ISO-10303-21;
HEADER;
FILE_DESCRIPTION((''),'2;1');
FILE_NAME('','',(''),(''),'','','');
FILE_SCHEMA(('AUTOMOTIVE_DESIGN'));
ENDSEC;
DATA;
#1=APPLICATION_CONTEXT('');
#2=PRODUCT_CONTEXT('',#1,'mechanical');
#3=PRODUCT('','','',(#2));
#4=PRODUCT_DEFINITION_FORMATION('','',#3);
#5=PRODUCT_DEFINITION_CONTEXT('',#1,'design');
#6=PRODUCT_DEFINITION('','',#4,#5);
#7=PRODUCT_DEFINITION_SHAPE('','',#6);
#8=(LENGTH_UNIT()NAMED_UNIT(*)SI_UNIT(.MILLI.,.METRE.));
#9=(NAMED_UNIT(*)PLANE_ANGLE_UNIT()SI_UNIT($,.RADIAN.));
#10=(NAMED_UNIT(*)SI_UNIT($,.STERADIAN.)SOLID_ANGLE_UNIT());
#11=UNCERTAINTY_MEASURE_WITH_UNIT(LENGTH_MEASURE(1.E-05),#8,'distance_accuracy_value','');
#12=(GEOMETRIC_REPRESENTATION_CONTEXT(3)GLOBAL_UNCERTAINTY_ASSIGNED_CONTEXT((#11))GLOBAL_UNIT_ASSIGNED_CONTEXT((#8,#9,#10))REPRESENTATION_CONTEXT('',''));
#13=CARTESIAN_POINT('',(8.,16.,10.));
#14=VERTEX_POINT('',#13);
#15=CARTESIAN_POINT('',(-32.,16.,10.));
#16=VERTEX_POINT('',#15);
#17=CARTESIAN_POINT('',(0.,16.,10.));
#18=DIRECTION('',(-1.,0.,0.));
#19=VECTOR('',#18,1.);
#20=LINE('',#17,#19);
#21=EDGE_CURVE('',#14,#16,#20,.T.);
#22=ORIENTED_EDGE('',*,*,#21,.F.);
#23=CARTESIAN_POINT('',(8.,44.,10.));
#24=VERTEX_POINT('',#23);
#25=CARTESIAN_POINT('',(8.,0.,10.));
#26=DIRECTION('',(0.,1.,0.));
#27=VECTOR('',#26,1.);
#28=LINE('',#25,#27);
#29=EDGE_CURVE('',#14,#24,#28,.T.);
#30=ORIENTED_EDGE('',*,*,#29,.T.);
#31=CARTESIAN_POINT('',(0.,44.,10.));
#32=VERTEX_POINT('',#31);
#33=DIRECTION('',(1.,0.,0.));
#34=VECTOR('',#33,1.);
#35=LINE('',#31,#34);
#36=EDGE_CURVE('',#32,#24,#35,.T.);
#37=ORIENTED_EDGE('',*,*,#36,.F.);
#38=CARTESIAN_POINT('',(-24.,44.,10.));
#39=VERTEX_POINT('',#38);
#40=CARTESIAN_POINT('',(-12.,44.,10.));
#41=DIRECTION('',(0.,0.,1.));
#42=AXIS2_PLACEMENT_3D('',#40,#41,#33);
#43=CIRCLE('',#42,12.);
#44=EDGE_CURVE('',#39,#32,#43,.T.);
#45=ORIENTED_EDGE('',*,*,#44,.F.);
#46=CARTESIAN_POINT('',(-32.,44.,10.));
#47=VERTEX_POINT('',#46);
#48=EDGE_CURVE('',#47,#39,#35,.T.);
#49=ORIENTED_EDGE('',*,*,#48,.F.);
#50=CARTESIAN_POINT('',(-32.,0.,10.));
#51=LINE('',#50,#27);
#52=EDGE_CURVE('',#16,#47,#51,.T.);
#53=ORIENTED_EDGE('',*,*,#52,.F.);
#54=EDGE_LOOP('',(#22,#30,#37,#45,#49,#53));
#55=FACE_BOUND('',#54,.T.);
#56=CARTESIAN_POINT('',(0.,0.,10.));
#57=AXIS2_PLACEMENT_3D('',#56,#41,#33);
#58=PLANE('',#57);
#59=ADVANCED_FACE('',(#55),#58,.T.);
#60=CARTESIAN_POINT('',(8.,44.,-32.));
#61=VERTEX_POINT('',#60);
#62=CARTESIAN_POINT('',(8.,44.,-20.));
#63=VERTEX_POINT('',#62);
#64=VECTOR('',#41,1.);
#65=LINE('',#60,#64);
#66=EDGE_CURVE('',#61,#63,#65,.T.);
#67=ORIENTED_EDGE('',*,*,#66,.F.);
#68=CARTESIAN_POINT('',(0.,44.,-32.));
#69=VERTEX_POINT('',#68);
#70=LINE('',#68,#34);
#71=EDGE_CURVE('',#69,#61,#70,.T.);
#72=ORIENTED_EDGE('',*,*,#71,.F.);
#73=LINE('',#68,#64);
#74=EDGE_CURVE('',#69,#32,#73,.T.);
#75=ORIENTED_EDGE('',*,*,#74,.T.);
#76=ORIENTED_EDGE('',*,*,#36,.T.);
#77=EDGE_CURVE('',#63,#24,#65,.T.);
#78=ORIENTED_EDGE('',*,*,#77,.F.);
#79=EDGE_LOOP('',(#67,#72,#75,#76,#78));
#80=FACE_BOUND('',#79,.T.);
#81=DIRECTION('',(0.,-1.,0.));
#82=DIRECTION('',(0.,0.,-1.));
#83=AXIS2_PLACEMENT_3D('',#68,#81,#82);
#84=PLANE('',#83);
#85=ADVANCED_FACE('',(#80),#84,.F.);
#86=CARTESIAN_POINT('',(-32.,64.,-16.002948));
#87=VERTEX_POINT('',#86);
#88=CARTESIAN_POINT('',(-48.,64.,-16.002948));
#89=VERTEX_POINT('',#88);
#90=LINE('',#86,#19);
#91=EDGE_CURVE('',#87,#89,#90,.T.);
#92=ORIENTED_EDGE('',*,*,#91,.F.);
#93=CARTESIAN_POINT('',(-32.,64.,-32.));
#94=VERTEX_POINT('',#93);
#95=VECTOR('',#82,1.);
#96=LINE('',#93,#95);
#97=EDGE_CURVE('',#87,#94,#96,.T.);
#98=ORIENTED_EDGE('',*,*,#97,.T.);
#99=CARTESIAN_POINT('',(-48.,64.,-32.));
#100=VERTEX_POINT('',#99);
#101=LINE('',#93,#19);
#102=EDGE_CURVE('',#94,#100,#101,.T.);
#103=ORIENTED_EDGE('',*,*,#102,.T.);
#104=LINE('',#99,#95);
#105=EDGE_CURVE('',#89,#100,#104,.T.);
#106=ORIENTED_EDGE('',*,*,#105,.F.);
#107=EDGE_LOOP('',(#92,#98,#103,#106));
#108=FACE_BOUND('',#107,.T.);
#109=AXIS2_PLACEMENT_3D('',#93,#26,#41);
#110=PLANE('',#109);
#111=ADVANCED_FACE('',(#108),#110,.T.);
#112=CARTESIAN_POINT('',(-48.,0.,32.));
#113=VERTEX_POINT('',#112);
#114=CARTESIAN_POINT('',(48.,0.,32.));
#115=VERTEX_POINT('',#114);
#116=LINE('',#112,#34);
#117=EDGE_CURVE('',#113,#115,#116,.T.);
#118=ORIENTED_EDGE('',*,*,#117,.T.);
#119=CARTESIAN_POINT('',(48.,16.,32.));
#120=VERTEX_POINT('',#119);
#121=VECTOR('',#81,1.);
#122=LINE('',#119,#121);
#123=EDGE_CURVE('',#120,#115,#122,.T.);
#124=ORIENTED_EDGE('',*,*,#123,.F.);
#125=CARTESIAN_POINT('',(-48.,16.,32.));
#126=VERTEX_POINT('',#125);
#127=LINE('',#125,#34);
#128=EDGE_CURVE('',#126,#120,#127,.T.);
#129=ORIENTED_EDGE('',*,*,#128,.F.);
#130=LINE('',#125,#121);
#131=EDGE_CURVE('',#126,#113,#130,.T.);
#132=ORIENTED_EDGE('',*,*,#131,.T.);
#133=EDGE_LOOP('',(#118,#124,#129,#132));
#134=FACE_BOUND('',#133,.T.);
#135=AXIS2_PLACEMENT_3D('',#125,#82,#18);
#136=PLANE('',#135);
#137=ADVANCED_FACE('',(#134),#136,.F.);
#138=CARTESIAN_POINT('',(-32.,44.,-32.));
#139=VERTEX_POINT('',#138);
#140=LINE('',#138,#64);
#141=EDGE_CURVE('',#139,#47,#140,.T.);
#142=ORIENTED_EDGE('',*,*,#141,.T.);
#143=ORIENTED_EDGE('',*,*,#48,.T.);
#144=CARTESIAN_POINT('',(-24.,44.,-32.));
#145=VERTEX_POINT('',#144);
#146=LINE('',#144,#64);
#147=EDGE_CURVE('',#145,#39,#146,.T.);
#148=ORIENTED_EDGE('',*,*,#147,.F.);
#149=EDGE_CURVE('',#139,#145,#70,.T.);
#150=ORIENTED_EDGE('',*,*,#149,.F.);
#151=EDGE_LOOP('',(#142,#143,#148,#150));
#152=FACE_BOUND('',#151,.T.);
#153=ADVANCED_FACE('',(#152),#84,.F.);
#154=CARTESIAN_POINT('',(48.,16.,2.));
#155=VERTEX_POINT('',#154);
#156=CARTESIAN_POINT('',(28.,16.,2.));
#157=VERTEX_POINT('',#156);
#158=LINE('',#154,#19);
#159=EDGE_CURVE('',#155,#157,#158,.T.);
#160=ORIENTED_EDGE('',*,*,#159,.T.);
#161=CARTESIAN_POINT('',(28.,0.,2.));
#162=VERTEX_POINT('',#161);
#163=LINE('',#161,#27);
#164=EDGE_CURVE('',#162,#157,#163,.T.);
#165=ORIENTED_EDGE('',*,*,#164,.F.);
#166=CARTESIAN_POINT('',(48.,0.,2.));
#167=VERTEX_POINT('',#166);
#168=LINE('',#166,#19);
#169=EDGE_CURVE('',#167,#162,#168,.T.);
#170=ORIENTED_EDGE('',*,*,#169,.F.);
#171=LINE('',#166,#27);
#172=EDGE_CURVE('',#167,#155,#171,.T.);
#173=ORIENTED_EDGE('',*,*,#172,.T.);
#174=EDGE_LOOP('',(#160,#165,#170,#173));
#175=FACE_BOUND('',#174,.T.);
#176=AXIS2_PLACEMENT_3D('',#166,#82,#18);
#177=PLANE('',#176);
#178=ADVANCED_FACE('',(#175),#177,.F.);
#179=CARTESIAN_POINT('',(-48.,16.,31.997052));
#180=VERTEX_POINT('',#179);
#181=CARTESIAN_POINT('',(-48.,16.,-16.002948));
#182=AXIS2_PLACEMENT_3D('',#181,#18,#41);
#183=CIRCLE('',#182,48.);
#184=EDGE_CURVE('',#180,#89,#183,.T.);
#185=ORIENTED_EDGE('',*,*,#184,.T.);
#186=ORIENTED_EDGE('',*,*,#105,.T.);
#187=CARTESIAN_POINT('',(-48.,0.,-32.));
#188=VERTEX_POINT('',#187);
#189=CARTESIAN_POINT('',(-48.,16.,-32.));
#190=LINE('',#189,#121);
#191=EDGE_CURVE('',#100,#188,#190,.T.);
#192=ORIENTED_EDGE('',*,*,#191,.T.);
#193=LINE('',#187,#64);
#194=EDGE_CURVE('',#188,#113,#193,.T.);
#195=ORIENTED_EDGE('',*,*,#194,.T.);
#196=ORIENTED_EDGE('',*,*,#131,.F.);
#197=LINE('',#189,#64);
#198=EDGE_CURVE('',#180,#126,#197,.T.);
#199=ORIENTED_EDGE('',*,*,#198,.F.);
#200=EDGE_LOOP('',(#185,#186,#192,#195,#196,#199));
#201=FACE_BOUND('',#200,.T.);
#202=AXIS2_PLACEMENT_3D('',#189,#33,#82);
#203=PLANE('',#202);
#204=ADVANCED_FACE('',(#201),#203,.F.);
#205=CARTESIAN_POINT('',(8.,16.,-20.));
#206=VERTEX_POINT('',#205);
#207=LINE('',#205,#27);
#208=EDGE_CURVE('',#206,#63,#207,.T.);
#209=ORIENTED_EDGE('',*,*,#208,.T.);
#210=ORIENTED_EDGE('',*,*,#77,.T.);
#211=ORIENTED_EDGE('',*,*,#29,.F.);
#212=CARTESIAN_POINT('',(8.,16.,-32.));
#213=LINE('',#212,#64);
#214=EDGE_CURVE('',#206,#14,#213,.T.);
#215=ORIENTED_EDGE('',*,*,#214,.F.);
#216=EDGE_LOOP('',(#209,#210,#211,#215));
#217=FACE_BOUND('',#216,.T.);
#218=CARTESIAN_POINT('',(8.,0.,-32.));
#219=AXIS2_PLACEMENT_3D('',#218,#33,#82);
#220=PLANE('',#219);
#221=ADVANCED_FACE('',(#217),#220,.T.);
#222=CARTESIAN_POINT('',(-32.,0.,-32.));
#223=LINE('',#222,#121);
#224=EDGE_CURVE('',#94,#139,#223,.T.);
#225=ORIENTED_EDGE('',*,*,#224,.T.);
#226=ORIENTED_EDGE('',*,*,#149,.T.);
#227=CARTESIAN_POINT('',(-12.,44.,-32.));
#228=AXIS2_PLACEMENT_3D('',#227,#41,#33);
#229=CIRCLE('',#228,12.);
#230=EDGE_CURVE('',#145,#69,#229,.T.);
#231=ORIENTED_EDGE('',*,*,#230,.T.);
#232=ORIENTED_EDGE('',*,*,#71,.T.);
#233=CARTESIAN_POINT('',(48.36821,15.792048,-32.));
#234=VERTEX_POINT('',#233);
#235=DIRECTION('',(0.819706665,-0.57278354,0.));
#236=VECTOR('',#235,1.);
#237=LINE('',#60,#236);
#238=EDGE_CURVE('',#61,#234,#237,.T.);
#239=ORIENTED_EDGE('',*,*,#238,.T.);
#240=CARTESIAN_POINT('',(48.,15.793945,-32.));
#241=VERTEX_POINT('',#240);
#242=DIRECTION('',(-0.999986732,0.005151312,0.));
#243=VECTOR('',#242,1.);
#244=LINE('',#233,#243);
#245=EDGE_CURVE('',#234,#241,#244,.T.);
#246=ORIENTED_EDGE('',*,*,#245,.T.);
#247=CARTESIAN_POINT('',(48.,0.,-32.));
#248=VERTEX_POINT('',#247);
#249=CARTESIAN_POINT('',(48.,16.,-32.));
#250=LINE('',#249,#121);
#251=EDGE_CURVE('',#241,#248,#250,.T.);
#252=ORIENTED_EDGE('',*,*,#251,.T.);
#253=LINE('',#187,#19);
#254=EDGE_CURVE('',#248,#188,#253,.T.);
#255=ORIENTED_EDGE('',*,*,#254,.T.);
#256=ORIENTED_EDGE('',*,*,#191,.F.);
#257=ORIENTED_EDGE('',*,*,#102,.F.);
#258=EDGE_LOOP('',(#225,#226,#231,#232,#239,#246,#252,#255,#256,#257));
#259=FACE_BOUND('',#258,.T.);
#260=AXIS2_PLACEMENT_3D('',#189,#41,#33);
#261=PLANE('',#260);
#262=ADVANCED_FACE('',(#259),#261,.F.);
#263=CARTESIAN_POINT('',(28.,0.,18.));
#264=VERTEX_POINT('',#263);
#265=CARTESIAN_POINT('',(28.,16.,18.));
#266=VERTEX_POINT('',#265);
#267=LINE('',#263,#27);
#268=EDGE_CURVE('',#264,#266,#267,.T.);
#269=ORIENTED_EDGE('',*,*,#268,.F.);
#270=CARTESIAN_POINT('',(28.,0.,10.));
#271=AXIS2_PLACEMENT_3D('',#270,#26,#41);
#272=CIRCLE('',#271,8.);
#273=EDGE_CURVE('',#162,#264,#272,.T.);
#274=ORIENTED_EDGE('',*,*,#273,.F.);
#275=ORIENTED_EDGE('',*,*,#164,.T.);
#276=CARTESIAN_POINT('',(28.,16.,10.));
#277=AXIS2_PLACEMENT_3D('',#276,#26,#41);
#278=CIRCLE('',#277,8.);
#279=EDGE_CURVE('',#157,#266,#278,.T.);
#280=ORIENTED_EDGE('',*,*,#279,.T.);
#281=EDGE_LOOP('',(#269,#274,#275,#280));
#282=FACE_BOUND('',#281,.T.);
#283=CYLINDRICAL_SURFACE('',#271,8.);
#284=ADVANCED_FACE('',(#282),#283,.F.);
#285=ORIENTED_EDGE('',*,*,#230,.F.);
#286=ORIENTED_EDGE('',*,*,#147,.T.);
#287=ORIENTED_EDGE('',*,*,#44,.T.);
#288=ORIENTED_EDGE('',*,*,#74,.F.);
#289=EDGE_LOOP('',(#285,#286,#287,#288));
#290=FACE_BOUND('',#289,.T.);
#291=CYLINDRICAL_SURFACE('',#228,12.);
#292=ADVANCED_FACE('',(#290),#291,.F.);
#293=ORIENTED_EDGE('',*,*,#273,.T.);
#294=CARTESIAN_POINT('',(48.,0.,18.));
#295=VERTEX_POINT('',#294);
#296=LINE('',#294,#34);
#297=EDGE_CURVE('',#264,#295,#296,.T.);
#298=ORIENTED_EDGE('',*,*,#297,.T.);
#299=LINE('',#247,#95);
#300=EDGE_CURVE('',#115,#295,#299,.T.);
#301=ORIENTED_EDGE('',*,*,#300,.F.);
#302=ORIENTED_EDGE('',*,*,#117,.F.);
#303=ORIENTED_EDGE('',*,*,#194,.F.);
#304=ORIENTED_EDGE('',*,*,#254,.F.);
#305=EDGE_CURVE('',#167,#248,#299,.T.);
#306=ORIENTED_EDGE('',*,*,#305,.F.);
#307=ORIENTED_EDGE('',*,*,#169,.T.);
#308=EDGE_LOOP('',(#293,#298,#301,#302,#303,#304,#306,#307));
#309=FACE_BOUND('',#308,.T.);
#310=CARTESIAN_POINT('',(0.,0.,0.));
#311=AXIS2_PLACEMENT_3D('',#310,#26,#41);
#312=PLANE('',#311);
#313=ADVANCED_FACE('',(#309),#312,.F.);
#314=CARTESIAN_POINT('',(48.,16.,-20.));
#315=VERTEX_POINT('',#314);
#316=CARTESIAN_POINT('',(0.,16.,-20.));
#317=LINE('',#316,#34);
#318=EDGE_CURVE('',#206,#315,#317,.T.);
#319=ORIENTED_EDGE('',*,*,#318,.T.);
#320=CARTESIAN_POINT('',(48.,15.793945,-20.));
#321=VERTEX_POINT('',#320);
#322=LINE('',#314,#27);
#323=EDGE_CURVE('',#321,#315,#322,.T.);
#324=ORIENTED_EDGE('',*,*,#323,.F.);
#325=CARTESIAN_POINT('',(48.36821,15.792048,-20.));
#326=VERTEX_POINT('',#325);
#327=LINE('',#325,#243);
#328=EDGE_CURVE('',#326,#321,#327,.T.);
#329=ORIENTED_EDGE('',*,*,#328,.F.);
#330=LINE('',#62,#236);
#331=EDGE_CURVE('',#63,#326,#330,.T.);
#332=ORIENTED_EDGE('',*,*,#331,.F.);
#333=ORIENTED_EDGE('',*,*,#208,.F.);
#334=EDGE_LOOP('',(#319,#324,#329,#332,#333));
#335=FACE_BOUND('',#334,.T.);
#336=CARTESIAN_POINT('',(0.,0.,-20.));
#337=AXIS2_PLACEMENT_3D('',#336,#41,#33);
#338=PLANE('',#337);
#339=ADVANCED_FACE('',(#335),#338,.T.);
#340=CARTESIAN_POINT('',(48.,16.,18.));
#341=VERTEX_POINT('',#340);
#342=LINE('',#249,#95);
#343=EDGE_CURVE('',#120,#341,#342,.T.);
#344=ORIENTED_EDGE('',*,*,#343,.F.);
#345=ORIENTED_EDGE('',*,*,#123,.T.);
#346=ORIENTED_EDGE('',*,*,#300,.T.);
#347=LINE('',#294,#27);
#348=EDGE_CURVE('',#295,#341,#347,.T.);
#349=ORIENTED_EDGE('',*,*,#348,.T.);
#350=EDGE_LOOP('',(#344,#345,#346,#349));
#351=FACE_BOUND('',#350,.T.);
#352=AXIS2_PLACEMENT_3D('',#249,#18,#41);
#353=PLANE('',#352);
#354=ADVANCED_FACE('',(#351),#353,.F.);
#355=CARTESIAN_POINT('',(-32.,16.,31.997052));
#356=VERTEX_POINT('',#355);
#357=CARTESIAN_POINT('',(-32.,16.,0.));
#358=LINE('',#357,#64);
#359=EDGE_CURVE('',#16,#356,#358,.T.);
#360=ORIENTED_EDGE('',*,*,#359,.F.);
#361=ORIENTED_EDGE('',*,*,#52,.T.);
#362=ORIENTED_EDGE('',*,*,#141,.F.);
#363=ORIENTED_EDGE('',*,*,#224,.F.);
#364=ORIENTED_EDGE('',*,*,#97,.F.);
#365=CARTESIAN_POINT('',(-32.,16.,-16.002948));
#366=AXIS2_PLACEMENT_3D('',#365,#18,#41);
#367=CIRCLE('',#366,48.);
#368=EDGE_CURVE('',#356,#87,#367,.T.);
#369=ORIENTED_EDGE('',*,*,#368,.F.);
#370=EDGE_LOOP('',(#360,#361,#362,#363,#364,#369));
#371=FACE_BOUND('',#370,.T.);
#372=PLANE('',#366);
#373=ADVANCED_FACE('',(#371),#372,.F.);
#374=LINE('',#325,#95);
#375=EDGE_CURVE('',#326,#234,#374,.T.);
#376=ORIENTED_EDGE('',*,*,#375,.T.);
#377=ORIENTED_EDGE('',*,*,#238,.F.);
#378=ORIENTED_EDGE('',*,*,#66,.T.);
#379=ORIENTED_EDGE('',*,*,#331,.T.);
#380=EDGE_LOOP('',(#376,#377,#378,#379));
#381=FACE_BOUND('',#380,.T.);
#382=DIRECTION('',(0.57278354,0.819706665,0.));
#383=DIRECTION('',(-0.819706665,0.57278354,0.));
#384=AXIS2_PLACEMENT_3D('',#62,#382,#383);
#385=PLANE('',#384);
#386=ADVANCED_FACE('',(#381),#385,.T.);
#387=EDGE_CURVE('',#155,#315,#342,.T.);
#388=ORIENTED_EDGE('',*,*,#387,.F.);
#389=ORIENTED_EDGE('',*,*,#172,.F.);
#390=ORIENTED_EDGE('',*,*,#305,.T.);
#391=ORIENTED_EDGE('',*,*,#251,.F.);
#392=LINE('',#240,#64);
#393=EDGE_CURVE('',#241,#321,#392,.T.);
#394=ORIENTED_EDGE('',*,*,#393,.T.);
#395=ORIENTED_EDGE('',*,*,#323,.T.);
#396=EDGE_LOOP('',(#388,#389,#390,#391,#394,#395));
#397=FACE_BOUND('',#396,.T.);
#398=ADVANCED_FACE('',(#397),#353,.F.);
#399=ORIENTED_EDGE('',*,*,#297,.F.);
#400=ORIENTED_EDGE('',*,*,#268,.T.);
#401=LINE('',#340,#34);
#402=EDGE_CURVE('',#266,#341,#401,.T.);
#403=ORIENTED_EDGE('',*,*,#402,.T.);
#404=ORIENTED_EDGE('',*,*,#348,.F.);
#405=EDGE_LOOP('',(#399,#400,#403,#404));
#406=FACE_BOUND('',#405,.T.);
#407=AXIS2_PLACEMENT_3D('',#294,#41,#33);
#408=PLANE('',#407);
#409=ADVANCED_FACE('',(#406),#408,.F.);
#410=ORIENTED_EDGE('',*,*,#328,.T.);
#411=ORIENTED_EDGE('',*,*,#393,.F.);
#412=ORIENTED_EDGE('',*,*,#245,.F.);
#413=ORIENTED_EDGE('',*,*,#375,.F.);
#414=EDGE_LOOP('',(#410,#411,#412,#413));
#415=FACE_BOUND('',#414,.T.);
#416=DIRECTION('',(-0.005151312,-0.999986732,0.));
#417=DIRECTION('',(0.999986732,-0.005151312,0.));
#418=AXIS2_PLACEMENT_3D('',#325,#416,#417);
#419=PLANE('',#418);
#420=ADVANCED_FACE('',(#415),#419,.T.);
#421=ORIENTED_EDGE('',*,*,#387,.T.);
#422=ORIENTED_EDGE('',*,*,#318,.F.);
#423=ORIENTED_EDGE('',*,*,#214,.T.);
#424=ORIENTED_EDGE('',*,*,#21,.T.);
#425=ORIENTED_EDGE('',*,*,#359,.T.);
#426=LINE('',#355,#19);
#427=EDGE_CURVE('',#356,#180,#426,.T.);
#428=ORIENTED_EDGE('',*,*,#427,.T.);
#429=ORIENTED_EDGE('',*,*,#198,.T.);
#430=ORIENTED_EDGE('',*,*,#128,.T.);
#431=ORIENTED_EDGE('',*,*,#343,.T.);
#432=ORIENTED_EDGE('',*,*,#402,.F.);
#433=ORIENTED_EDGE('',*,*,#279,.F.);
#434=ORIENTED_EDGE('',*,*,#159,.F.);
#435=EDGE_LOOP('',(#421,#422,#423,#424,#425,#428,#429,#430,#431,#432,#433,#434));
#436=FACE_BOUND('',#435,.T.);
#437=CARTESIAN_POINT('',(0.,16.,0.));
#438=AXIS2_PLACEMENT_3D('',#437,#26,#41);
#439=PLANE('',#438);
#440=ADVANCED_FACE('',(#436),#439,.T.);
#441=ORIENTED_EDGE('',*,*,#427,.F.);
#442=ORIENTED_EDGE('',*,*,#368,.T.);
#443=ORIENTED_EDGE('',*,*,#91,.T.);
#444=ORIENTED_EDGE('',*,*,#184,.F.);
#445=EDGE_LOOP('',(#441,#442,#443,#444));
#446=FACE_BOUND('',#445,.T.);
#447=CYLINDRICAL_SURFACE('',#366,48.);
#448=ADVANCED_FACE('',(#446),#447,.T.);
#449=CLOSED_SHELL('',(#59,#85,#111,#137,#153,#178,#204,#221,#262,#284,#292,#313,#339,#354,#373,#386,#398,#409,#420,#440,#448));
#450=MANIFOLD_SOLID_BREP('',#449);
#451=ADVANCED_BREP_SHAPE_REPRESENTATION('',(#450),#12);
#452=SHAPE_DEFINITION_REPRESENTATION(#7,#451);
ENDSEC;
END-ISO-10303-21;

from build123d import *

# Parameters (mm, degrees)
SKETCH1_W           = 96
SKETCH1_H           = 64
BOSS_EXTRUDE1_DEPTH = 16
CUT_EXTRUDE2_DEPTH  = 16
BOSS_EXTRUDE2_START = -22
BOSS_EXTRUDE2_DEPTH = 42
BOSS_EXTRUDE3_DEPTH = 16
BOSS_EXTRUDE4_DEPTH = 12


with BuildPart() as part:
    # Sketch1 → Boss-Extrude1 (new body)
    with BuildSketch(Plane(origin=(0, 0, 0), x_dir=(1, 0, 0), z_dir=(0, 1, 0))):
        Rectangle(SKETCH1_W, SKETCH1_H)
    extrude(amount=BOSS_EXTRUDE1_DEPTH)

    # Sketch2 → Cut-Extrude2 (cut)
    with BuildSketch(Plane(origin=(0, 16, 0), x_dir=(1, 0, 0), z_dir=(0, 1, 0))):
        with BuildLine():
            Line((48, -18), (28, -18))
            ThreePointArc((28, -18), (20, -10), (28, -2))
            Line((28, -2), (48, -2))
            ThreePointArc((48, -2), (56, -10), (48, -18))
        make_face()
    extrude(amount=-CUT_EXTRUDE2_DEPTH, mode=Mode.SUBTRACT)

    # Sketch3 → Boss-Extrude2 (add)
    with BuildSketch(Plane.XY.offset(32).offset(BOSS_EXTRUDE2_START)):
        with BuildLine():
            Line((-32, 44), (-32, 16))
            Line((-32, 16), (8, 16))
            Line((8, 16), (8, 44))
            Line((8, 44), (0, 44))
            ThreePointArc((0, 44), (-12, 32), (-24, 44))
            Line((-24, 44), (-32, 44))
        make_face()
    extrude(amount=-BOSS_EXTRUDE2_DEPTH)

    # Sketch5 → Boss-Extrude3 (add)
    with BuildSketch(Plane.ZY.offset(48)):
        with BuildLine():
            Line((-32, 0), (31.997051588, 0))
            Line((31.997051588, 0), (31.997051588, 16))
            ThreePointArc((31.997051588, 16), (17.938177085, 49.941125497), (-16.002948412, 64))
            Line((-16.002948412, 64), (-32, 64))
            Line((-32, 64), (-32, 0))
        make_face()
    extrude(amount=-BOSS_EXTRUDE3_DEPTH)

    # Sketch6 → Boss-Extrude4 (add)
    with BuildSketch(Plane(origin=(0, 0, -32), x_dir=(-1, 0, 0), z_dir=(0, 0, -1))):
        Polygon((-8, 44), (-48.368210029, 15.792048014), (-8, 16), align=None)
    extrude(amount=-BOSS_EXTRUDE4_DEPTH)


solid = part.part
